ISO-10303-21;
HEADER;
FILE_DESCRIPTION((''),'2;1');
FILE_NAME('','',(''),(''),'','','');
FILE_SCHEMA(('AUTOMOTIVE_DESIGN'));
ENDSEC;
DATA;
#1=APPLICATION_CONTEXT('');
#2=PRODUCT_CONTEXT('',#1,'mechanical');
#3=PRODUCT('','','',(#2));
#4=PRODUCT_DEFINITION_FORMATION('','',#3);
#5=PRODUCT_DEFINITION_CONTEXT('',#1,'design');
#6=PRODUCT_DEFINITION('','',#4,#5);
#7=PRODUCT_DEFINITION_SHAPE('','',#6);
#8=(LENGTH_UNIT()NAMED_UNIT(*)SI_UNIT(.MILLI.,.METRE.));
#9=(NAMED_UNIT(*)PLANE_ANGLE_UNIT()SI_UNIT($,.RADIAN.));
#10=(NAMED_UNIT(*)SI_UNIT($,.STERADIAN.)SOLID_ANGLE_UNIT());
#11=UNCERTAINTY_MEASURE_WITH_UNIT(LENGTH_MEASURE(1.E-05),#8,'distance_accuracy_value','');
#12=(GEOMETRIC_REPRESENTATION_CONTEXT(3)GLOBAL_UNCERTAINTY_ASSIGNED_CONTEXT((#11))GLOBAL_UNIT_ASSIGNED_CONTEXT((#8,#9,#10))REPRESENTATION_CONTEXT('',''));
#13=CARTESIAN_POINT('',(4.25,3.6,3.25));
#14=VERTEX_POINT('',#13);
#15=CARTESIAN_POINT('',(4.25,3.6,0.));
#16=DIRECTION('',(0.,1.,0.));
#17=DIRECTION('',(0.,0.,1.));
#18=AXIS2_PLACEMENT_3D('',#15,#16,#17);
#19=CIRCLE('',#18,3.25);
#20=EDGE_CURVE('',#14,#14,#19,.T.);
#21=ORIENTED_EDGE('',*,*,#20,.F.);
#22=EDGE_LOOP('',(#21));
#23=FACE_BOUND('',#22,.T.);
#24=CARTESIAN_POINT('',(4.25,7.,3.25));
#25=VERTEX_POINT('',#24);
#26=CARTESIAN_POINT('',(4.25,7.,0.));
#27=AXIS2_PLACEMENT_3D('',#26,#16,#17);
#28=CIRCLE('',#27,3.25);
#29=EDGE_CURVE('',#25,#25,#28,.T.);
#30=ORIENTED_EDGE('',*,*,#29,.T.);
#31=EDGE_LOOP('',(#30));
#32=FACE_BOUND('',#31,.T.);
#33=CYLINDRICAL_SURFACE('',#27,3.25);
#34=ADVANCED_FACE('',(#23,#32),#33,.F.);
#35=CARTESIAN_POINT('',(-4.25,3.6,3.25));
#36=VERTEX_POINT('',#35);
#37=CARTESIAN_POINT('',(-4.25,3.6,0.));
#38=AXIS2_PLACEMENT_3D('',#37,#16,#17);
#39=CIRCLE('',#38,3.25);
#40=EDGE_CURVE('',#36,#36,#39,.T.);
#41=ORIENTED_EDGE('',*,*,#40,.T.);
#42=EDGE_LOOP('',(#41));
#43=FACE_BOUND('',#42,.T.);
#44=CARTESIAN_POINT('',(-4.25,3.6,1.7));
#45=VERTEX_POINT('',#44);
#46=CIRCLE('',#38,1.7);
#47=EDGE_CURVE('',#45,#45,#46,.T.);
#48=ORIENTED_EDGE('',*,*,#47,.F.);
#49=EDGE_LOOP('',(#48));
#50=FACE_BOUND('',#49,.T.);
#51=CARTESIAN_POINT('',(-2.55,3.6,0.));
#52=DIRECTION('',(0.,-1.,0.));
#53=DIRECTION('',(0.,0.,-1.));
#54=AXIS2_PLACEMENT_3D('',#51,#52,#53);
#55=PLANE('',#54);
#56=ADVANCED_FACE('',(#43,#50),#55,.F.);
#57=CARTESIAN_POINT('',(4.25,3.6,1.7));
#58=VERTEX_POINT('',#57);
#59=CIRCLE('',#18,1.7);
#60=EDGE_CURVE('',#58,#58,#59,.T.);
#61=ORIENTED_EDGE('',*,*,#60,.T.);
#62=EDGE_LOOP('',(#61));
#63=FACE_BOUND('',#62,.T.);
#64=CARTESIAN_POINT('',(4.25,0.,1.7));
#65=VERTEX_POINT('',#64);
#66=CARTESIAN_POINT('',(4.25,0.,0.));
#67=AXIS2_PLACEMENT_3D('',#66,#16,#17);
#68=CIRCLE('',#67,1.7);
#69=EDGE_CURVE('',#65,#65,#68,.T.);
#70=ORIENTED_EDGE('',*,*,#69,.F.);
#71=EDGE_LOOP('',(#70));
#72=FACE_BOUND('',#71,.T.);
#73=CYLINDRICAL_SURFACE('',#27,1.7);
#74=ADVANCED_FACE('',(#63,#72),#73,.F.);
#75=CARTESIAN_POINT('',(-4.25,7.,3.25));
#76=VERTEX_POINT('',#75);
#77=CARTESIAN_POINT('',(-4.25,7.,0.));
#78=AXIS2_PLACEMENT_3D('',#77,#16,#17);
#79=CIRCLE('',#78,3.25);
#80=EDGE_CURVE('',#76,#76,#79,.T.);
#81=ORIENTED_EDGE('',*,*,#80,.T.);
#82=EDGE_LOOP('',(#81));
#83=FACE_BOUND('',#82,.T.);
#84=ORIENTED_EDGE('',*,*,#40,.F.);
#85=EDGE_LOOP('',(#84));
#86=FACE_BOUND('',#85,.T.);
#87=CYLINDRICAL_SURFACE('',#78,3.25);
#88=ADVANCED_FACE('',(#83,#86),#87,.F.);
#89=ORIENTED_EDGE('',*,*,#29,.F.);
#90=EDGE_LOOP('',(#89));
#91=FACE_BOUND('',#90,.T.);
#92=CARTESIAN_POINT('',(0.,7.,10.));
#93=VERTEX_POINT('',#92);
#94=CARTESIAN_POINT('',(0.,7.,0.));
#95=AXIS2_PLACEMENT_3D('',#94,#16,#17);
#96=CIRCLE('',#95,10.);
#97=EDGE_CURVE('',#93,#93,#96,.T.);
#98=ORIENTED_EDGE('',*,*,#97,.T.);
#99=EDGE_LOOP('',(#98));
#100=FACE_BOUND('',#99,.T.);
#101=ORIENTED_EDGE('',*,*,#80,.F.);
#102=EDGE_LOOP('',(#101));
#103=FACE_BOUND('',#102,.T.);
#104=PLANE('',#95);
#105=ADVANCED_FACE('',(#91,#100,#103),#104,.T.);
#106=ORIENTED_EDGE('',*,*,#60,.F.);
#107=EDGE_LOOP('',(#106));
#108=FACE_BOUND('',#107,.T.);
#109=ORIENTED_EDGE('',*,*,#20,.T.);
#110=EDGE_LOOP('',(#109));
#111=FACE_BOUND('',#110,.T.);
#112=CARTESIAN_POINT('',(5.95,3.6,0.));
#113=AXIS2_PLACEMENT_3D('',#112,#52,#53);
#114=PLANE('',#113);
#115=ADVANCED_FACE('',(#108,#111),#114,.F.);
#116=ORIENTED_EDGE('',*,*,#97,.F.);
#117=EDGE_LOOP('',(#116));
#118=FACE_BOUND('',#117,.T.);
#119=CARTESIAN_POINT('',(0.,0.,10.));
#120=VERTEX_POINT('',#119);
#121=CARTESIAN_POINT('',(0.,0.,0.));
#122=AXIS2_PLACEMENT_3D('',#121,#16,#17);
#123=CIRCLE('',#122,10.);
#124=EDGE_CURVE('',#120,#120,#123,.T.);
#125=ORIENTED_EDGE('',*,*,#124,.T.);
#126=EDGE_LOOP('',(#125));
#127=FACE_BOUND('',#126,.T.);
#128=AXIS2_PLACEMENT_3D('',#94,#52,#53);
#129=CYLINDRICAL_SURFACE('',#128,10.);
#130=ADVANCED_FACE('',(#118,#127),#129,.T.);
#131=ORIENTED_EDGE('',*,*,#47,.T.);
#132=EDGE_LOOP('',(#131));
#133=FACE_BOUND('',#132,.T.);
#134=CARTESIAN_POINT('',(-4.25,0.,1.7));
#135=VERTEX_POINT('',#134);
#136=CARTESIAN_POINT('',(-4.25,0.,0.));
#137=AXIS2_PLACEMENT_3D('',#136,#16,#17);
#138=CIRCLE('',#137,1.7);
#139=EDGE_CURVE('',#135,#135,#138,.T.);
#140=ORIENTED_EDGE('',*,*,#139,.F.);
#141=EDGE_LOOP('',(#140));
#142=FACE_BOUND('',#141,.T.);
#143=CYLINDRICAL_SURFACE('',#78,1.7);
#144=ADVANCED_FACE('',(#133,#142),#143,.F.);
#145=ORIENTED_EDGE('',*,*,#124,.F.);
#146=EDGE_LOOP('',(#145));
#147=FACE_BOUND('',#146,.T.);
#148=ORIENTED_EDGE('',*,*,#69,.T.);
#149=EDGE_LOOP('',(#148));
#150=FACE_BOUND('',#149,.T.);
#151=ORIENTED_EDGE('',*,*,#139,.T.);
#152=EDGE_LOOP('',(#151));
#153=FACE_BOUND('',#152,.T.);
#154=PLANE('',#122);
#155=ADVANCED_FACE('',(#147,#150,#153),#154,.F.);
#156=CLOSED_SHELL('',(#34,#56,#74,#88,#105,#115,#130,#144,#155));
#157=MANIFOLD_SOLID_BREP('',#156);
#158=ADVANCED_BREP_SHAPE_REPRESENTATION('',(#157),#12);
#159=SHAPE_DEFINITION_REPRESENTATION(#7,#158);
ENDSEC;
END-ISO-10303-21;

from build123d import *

# Parameters (mm, degrees)
SKIZZE1_R                                            = 10
AUFSATZ_LINEAR_AUSTRAGEN1_DEPTH                      = 7
STIRNSENKUNG_F_R_M3_ZYLINDERSCHRAUBE_MIT_D           = 3.4
STIRNSENKUNG_F_R_M3_ZYLINDERSCHRAUBE_MIT_CBORE_D     = 6.5
STIRNSENKUNG_F_R_M3_ZYLINDERSCHRAUBE_MIT_CBORE_DEPTH = 3.4


with BuildPart() as part:
    # Skizze1 → Aufsatz-Linear austragen1 (new body)
    with BuildSketch(Plane(origin=(0, 0, 0), x_dir=(1, 0, 0), z_dir=(0, 1, 0))):
        with Locations(Location((0, 0, 0), (0, 0, 270))):
            Circle(SKIZZE1_R)
    extrude(amount=AUFSATZ_LINEAR_AUSTRAGEN1_DEPTH)

    # Stirnsenkung für M3 Zylinderschraube mit Innensechskant1 (through all)
    with Locations(Plane(origin=(0, 7, 0), x_dir=(1, 0, 0), z_dir=(0, 1, 0))):
        with Locations((4.25, 0), (-4.25, 0)):
            CounterBoreHole(STIRNSENKUNG_F_R_M3_ZYLINDERSCHRAUBE_MIT_D / 2, STIRNSENKUNG_F_R_M3_ZYLINDERSCHRAUBE_MIT_CBORE_D / 2, STIRNSENKUNG_F_R_M3_ZYLINDERSCHRAUBE_MIT_CBORE_DEPTH)


solid = part.part
